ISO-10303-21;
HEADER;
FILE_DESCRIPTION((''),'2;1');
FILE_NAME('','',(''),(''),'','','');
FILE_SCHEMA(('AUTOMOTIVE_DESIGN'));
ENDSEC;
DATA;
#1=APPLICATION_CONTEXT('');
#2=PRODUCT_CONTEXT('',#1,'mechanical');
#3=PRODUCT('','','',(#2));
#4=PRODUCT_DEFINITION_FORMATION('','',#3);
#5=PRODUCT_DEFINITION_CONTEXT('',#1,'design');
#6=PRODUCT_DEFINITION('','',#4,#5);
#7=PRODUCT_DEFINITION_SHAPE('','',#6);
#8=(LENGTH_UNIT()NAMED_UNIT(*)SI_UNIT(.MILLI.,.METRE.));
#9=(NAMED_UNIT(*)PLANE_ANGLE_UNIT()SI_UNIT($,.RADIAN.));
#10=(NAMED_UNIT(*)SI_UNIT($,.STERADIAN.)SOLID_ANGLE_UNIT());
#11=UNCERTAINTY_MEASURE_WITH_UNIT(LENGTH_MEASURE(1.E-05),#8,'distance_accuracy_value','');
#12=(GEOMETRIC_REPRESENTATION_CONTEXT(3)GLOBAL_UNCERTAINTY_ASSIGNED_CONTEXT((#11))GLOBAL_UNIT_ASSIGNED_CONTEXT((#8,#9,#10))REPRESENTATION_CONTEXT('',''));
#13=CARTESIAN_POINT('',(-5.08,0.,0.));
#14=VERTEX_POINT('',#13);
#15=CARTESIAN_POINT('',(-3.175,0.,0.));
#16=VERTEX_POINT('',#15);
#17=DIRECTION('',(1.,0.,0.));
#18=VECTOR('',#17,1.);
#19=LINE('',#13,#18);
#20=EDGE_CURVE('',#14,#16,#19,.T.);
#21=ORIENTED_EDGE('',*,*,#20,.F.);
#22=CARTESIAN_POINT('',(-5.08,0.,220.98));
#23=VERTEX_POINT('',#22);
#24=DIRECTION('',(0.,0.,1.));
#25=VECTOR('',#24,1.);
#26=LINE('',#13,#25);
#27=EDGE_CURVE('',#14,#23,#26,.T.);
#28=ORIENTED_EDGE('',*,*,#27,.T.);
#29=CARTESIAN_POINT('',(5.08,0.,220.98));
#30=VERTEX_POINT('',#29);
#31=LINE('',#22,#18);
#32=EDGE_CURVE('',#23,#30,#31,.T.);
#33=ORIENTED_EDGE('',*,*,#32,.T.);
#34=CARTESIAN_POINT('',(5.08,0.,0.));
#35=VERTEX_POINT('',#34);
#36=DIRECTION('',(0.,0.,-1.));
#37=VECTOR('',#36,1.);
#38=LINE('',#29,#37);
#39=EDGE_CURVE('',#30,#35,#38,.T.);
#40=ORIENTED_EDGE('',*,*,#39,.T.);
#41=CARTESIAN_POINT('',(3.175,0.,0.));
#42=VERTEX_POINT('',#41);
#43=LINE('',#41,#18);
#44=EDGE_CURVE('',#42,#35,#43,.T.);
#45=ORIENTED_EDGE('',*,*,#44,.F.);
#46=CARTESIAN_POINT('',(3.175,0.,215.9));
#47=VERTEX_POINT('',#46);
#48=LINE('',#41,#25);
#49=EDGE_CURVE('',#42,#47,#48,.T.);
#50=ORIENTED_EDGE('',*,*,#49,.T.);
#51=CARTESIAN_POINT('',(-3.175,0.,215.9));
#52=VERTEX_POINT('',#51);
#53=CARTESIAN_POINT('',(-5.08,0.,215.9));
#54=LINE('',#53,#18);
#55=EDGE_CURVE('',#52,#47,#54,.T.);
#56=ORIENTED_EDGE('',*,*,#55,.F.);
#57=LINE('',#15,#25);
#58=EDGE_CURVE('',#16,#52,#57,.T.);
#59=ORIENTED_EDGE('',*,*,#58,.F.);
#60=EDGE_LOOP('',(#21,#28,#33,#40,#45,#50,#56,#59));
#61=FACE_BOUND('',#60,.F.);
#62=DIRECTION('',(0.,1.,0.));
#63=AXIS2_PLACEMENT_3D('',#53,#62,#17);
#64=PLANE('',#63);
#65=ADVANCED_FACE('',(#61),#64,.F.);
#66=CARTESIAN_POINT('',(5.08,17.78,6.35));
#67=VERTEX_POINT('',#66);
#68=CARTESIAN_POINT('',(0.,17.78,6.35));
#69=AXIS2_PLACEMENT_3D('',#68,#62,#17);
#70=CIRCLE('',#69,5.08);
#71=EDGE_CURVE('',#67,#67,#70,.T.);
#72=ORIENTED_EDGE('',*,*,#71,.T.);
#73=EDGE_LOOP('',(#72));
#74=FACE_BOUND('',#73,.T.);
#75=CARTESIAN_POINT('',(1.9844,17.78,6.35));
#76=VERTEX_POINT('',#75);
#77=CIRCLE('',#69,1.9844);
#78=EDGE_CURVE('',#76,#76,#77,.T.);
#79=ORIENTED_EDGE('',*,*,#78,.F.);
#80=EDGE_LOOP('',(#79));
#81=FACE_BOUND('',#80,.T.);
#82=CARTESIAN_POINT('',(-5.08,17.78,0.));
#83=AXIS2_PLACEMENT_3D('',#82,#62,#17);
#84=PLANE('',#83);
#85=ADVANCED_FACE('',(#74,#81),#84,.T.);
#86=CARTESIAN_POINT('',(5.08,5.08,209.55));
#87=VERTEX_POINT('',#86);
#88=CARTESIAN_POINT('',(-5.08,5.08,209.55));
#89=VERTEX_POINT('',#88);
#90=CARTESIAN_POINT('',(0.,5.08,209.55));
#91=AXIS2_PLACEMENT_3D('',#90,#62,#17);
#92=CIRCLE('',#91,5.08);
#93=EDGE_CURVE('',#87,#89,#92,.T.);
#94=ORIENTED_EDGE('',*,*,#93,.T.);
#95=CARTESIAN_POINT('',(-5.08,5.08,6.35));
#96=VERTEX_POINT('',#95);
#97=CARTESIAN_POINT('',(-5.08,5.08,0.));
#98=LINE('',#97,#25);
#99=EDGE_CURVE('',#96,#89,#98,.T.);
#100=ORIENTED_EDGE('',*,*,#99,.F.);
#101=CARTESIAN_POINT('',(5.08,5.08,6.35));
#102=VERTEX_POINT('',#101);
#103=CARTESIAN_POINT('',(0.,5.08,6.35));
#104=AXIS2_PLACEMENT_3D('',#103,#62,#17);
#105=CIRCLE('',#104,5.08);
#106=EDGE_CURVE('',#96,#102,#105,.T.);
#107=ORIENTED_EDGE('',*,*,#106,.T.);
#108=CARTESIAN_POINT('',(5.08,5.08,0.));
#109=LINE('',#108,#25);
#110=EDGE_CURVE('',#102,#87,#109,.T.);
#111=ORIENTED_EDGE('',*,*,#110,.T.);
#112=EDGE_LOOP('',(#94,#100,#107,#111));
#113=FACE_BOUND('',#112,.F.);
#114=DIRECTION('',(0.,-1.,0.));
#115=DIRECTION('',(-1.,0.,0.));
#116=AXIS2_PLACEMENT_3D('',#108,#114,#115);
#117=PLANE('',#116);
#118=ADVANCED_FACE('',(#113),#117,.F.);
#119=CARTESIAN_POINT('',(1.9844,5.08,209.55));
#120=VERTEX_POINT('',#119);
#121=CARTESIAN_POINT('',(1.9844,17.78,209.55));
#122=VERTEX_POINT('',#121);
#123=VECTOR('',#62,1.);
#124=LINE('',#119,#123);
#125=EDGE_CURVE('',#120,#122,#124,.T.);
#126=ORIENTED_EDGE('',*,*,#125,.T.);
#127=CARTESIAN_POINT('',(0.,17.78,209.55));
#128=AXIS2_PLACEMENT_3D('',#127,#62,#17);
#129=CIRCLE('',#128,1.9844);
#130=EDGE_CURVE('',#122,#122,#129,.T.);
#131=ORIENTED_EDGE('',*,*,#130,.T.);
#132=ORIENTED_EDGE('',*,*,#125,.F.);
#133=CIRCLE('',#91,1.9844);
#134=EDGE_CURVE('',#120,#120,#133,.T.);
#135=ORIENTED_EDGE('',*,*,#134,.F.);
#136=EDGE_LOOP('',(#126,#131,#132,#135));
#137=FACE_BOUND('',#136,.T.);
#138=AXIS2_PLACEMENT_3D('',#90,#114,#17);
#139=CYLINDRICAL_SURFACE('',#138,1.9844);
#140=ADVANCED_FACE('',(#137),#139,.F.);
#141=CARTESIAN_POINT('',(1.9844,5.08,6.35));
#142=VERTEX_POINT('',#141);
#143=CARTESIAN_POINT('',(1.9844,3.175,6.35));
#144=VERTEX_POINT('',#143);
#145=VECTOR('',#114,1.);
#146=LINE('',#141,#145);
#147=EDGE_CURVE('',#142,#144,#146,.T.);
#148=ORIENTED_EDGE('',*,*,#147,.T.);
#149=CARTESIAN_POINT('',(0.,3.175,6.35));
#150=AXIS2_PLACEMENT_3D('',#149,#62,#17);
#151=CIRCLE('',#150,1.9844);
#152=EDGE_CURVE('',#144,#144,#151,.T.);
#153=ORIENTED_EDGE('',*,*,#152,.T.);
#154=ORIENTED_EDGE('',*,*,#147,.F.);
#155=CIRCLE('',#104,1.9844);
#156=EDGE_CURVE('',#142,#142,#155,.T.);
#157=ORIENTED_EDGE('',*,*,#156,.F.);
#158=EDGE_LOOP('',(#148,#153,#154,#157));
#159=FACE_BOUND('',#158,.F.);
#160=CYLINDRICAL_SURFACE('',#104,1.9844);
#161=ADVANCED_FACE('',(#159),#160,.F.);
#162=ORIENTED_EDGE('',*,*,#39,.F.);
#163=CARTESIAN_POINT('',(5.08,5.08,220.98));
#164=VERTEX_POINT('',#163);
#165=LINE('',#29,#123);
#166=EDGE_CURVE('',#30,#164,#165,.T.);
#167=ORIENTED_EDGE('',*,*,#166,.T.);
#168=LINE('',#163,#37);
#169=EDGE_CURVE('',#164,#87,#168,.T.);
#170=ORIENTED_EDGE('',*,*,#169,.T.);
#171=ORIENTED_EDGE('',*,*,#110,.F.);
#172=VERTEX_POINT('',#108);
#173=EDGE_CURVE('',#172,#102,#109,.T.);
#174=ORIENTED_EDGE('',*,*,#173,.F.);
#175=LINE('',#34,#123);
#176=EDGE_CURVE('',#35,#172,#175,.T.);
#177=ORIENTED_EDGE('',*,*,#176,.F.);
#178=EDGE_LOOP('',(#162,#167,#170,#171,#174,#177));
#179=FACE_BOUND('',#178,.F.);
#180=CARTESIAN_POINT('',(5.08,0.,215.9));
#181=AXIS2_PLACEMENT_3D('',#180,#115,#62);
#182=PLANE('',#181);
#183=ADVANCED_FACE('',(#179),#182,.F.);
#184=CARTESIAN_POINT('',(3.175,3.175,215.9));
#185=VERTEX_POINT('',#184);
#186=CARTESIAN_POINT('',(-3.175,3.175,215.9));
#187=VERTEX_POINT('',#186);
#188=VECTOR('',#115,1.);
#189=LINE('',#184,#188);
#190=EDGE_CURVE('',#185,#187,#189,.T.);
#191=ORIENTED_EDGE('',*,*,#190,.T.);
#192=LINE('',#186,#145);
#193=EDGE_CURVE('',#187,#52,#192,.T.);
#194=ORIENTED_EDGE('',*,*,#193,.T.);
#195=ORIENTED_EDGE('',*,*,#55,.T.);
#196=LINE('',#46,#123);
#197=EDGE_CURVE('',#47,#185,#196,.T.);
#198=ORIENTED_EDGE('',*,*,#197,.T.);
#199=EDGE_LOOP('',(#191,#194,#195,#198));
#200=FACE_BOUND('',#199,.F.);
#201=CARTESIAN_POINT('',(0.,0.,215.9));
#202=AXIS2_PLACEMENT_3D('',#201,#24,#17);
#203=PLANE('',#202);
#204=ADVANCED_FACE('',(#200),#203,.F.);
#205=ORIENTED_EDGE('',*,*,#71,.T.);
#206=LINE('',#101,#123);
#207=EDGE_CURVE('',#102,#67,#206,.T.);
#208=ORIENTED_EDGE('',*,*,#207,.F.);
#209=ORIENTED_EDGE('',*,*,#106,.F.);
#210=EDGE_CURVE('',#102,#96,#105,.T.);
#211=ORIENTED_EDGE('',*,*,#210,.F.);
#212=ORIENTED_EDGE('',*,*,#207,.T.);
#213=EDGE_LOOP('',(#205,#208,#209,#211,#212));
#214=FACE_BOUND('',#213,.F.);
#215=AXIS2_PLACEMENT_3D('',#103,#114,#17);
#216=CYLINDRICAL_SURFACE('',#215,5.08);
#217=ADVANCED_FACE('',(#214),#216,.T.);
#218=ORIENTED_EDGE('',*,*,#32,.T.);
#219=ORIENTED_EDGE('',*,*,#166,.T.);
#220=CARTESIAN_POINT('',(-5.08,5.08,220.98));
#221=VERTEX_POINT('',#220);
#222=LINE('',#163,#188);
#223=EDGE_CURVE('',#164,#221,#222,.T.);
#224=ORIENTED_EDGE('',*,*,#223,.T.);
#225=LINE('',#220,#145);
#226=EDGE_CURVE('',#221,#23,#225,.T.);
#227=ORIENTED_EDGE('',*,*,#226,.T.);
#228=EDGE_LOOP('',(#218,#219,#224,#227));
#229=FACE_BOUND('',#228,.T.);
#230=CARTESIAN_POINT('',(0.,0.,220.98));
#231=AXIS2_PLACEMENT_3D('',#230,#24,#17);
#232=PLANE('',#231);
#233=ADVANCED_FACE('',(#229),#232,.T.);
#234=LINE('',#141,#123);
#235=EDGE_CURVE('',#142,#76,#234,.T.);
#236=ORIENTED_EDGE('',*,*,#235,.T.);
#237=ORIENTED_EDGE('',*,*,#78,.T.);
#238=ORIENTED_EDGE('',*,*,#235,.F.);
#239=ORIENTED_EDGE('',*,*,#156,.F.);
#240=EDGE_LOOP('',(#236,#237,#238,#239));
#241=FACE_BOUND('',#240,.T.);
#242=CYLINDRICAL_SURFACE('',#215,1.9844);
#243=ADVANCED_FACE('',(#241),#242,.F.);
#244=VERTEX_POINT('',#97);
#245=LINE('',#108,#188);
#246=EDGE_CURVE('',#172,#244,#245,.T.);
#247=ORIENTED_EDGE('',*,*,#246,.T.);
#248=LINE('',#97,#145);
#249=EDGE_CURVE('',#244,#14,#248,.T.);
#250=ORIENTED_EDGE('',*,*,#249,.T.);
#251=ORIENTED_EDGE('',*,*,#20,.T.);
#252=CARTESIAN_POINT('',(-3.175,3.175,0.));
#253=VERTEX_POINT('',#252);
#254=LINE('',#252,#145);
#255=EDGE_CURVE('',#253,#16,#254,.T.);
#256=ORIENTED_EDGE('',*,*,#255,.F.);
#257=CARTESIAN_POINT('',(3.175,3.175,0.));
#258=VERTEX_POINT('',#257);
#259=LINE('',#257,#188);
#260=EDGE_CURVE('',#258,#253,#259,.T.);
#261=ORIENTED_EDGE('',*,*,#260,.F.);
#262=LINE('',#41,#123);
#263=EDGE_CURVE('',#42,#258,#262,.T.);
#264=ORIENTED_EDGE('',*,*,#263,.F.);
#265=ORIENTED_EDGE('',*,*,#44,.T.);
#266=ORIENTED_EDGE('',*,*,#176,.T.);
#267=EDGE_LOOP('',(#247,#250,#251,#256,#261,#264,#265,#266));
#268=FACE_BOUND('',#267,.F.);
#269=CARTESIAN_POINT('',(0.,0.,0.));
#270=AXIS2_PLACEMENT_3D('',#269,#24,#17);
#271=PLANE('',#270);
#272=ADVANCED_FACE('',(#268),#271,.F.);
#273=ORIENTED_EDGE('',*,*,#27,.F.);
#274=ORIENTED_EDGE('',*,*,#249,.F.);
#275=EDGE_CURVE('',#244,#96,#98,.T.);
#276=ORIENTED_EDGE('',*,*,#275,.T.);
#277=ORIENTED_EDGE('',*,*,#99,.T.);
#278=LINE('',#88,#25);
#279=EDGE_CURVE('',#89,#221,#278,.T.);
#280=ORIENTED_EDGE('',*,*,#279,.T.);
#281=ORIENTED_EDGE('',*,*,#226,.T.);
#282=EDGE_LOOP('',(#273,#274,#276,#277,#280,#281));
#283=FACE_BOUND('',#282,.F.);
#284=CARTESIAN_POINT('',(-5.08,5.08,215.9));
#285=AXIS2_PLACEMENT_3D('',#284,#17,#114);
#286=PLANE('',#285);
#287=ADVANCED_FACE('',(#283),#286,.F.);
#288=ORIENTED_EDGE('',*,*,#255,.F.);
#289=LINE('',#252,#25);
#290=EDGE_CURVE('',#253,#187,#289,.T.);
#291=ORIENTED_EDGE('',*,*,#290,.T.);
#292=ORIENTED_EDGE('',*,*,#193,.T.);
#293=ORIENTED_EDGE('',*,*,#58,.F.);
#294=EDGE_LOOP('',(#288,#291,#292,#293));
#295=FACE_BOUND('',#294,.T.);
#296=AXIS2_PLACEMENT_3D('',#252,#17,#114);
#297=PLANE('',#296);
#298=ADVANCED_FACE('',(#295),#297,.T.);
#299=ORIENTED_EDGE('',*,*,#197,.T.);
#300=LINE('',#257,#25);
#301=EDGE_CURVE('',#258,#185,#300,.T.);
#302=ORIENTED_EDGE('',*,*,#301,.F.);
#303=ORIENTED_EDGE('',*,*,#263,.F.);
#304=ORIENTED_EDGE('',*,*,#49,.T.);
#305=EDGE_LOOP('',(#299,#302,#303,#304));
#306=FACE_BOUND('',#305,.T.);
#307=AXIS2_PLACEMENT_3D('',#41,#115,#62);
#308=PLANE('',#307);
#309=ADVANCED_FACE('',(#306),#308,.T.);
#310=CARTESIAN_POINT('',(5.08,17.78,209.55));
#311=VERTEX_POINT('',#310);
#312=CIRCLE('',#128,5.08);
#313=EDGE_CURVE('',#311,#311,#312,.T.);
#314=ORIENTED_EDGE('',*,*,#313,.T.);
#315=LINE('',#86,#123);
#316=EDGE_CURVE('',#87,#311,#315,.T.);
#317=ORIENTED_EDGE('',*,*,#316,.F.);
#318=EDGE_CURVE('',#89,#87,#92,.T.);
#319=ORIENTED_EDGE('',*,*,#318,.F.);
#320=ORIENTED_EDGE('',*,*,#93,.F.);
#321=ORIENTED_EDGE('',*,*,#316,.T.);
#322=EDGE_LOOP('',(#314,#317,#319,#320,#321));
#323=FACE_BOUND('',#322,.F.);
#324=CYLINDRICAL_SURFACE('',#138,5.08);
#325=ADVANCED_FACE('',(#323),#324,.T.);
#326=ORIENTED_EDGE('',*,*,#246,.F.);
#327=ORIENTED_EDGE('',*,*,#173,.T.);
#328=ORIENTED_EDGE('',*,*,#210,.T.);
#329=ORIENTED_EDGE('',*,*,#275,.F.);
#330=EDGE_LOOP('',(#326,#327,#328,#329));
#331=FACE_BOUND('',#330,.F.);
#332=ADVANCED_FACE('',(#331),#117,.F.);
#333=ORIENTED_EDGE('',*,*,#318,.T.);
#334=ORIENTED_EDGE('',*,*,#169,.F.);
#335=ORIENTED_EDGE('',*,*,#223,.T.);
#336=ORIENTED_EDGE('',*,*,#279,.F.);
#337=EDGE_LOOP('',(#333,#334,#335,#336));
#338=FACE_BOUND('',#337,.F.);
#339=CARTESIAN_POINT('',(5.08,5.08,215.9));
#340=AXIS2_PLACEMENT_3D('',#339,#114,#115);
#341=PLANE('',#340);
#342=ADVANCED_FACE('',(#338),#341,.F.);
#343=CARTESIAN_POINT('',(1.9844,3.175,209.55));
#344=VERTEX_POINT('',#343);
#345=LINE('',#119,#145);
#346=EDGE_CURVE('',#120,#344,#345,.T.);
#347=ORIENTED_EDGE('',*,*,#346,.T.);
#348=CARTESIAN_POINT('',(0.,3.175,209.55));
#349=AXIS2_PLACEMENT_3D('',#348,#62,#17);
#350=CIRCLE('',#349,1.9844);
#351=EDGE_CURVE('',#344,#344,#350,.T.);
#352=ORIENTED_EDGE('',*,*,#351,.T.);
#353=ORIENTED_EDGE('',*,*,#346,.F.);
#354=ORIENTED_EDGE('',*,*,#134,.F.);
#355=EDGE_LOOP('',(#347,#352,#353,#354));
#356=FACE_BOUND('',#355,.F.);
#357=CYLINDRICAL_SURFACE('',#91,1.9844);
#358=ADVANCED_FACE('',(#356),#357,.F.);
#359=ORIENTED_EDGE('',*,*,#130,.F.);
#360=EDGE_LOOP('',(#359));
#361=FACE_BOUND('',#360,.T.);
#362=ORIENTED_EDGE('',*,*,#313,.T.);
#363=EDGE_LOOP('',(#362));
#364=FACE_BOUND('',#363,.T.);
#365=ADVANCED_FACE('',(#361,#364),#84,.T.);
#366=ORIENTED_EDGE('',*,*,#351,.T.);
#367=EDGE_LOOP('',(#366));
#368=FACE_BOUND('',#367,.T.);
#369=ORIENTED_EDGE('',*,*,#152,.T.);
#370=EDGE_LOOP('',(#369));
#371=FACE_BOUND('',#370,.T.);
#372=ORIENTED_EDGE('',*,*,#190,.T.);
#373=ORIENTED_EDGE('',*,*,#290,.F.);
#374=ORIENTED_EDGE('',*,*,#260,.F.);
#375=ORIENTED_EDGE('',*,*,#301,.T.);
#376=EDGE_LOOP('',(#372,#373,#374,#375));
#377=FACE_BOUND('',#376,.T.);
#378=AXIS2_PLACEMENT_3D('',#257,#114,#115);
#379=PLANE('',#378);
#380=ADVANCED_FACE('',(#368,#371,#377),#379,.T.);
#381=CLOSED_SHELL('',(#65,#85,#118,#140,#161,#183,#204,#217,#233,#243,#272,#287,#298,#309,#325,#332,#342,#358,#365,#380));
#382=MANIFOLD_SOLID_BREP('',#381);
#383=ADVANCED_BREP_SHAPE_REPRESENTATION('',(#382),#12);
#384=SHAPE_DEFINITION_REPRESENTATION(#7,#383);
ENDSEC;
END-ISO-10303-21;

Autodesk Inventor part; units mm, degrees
ref_plane "YZ Plane" through (0, 0, 0) normal (1, 0, 0) x (0, 1, 0)
ref_plane "XZ Plane" through (0, 0, 0) normal (0, 1, 0) x (-1, 0, 0)
ref_plane "XY Plane" through (0, 0, 0) normal (0, 0, 1) x (1, 0, 0)
sketch "Sketch1" plane through (0, 0, 0) normal (0, 0, 1) x (1, 0, 0)
  line L0 (3.175, 0) -> (3.175, 3.175)
  line L1 (3.175, 3.175) -> (-3.175, 3.175)
  line L2 (-3.175, 3.175) -> (-3.175, 0)
  line L3 (5.08, 0) -> (5.08, 5.08)
  line L4 (5.08, 5.08) -> (-5.08, 5.08)
  line L5 (-5.08, 5.08) -> (-5.08, 0)
  line L6 (-5.08, 0) -> (-3.175, 0)
  line L7 (3.175, 0) -> (5.08, 0)
  point P0 (0, 0)
  dimension "d0" = 10.16
  dimension "d1" = 5.08
extrude "Extrusion1" add sketch "Sketch1" along normal blind 215.9
sketch "Sketch2" plane through (-5.08, 5.08, 0) normal (0, 1, 0) x (1, 0, 0)
  circle A0 centre (5.08, -6.35) radius 1.9844
  circle A1 centre (5.08, -209.55) radius 1.9844
  point P0 (5.08, 0)
  dimension "d4" = 3.9688
  dimension "d5" = 3.9688
extrude "Extrusion2" cut sketch "Sketch2" against normal blind 215.9
sketch "Sketch3" plane through (-5.08, 5.08, 0) normal (0, 1, 0) x (1, 0, 0)
  circle A0 centre (5.08, -6.35) radius 1.9844 projected
  circle A1 centre (5.08, -209.55) radius 1.9844 projected
  circle A2 centre (5.08, -209.55) radius 5.08
  line L0 (10.16, 0) -> (10.16, -215.9) projected
  circle A3 centre (5.08, -6.35) radius 5.08
  point P0 (5.08, 0)
extrude "Extrusion3" add sketch "Sketch3" along normal blind 12.7
sketch "Sketch4" plane through (0, 0, 215.9) normal (0, 0, 1) x (1, 0, 0)
  line L0 (-5.08, 5.08) -> (-5.08, 0) projected
  line L1 (-5.08, 0) -> (5.08, 0)
  line L2 (5.08, 0) -> (5.08, 5.08)
  line L3 (5.08, 5.08) -> (-5.08, 5.08)
  line L4 (-5.08, 5.08) -> (-5.08, 0)
  point P0 (0, 0)
extrude "Extrusion4" add sketch "Sketch4" along normal blind 5.08
properties part number "bumper"
